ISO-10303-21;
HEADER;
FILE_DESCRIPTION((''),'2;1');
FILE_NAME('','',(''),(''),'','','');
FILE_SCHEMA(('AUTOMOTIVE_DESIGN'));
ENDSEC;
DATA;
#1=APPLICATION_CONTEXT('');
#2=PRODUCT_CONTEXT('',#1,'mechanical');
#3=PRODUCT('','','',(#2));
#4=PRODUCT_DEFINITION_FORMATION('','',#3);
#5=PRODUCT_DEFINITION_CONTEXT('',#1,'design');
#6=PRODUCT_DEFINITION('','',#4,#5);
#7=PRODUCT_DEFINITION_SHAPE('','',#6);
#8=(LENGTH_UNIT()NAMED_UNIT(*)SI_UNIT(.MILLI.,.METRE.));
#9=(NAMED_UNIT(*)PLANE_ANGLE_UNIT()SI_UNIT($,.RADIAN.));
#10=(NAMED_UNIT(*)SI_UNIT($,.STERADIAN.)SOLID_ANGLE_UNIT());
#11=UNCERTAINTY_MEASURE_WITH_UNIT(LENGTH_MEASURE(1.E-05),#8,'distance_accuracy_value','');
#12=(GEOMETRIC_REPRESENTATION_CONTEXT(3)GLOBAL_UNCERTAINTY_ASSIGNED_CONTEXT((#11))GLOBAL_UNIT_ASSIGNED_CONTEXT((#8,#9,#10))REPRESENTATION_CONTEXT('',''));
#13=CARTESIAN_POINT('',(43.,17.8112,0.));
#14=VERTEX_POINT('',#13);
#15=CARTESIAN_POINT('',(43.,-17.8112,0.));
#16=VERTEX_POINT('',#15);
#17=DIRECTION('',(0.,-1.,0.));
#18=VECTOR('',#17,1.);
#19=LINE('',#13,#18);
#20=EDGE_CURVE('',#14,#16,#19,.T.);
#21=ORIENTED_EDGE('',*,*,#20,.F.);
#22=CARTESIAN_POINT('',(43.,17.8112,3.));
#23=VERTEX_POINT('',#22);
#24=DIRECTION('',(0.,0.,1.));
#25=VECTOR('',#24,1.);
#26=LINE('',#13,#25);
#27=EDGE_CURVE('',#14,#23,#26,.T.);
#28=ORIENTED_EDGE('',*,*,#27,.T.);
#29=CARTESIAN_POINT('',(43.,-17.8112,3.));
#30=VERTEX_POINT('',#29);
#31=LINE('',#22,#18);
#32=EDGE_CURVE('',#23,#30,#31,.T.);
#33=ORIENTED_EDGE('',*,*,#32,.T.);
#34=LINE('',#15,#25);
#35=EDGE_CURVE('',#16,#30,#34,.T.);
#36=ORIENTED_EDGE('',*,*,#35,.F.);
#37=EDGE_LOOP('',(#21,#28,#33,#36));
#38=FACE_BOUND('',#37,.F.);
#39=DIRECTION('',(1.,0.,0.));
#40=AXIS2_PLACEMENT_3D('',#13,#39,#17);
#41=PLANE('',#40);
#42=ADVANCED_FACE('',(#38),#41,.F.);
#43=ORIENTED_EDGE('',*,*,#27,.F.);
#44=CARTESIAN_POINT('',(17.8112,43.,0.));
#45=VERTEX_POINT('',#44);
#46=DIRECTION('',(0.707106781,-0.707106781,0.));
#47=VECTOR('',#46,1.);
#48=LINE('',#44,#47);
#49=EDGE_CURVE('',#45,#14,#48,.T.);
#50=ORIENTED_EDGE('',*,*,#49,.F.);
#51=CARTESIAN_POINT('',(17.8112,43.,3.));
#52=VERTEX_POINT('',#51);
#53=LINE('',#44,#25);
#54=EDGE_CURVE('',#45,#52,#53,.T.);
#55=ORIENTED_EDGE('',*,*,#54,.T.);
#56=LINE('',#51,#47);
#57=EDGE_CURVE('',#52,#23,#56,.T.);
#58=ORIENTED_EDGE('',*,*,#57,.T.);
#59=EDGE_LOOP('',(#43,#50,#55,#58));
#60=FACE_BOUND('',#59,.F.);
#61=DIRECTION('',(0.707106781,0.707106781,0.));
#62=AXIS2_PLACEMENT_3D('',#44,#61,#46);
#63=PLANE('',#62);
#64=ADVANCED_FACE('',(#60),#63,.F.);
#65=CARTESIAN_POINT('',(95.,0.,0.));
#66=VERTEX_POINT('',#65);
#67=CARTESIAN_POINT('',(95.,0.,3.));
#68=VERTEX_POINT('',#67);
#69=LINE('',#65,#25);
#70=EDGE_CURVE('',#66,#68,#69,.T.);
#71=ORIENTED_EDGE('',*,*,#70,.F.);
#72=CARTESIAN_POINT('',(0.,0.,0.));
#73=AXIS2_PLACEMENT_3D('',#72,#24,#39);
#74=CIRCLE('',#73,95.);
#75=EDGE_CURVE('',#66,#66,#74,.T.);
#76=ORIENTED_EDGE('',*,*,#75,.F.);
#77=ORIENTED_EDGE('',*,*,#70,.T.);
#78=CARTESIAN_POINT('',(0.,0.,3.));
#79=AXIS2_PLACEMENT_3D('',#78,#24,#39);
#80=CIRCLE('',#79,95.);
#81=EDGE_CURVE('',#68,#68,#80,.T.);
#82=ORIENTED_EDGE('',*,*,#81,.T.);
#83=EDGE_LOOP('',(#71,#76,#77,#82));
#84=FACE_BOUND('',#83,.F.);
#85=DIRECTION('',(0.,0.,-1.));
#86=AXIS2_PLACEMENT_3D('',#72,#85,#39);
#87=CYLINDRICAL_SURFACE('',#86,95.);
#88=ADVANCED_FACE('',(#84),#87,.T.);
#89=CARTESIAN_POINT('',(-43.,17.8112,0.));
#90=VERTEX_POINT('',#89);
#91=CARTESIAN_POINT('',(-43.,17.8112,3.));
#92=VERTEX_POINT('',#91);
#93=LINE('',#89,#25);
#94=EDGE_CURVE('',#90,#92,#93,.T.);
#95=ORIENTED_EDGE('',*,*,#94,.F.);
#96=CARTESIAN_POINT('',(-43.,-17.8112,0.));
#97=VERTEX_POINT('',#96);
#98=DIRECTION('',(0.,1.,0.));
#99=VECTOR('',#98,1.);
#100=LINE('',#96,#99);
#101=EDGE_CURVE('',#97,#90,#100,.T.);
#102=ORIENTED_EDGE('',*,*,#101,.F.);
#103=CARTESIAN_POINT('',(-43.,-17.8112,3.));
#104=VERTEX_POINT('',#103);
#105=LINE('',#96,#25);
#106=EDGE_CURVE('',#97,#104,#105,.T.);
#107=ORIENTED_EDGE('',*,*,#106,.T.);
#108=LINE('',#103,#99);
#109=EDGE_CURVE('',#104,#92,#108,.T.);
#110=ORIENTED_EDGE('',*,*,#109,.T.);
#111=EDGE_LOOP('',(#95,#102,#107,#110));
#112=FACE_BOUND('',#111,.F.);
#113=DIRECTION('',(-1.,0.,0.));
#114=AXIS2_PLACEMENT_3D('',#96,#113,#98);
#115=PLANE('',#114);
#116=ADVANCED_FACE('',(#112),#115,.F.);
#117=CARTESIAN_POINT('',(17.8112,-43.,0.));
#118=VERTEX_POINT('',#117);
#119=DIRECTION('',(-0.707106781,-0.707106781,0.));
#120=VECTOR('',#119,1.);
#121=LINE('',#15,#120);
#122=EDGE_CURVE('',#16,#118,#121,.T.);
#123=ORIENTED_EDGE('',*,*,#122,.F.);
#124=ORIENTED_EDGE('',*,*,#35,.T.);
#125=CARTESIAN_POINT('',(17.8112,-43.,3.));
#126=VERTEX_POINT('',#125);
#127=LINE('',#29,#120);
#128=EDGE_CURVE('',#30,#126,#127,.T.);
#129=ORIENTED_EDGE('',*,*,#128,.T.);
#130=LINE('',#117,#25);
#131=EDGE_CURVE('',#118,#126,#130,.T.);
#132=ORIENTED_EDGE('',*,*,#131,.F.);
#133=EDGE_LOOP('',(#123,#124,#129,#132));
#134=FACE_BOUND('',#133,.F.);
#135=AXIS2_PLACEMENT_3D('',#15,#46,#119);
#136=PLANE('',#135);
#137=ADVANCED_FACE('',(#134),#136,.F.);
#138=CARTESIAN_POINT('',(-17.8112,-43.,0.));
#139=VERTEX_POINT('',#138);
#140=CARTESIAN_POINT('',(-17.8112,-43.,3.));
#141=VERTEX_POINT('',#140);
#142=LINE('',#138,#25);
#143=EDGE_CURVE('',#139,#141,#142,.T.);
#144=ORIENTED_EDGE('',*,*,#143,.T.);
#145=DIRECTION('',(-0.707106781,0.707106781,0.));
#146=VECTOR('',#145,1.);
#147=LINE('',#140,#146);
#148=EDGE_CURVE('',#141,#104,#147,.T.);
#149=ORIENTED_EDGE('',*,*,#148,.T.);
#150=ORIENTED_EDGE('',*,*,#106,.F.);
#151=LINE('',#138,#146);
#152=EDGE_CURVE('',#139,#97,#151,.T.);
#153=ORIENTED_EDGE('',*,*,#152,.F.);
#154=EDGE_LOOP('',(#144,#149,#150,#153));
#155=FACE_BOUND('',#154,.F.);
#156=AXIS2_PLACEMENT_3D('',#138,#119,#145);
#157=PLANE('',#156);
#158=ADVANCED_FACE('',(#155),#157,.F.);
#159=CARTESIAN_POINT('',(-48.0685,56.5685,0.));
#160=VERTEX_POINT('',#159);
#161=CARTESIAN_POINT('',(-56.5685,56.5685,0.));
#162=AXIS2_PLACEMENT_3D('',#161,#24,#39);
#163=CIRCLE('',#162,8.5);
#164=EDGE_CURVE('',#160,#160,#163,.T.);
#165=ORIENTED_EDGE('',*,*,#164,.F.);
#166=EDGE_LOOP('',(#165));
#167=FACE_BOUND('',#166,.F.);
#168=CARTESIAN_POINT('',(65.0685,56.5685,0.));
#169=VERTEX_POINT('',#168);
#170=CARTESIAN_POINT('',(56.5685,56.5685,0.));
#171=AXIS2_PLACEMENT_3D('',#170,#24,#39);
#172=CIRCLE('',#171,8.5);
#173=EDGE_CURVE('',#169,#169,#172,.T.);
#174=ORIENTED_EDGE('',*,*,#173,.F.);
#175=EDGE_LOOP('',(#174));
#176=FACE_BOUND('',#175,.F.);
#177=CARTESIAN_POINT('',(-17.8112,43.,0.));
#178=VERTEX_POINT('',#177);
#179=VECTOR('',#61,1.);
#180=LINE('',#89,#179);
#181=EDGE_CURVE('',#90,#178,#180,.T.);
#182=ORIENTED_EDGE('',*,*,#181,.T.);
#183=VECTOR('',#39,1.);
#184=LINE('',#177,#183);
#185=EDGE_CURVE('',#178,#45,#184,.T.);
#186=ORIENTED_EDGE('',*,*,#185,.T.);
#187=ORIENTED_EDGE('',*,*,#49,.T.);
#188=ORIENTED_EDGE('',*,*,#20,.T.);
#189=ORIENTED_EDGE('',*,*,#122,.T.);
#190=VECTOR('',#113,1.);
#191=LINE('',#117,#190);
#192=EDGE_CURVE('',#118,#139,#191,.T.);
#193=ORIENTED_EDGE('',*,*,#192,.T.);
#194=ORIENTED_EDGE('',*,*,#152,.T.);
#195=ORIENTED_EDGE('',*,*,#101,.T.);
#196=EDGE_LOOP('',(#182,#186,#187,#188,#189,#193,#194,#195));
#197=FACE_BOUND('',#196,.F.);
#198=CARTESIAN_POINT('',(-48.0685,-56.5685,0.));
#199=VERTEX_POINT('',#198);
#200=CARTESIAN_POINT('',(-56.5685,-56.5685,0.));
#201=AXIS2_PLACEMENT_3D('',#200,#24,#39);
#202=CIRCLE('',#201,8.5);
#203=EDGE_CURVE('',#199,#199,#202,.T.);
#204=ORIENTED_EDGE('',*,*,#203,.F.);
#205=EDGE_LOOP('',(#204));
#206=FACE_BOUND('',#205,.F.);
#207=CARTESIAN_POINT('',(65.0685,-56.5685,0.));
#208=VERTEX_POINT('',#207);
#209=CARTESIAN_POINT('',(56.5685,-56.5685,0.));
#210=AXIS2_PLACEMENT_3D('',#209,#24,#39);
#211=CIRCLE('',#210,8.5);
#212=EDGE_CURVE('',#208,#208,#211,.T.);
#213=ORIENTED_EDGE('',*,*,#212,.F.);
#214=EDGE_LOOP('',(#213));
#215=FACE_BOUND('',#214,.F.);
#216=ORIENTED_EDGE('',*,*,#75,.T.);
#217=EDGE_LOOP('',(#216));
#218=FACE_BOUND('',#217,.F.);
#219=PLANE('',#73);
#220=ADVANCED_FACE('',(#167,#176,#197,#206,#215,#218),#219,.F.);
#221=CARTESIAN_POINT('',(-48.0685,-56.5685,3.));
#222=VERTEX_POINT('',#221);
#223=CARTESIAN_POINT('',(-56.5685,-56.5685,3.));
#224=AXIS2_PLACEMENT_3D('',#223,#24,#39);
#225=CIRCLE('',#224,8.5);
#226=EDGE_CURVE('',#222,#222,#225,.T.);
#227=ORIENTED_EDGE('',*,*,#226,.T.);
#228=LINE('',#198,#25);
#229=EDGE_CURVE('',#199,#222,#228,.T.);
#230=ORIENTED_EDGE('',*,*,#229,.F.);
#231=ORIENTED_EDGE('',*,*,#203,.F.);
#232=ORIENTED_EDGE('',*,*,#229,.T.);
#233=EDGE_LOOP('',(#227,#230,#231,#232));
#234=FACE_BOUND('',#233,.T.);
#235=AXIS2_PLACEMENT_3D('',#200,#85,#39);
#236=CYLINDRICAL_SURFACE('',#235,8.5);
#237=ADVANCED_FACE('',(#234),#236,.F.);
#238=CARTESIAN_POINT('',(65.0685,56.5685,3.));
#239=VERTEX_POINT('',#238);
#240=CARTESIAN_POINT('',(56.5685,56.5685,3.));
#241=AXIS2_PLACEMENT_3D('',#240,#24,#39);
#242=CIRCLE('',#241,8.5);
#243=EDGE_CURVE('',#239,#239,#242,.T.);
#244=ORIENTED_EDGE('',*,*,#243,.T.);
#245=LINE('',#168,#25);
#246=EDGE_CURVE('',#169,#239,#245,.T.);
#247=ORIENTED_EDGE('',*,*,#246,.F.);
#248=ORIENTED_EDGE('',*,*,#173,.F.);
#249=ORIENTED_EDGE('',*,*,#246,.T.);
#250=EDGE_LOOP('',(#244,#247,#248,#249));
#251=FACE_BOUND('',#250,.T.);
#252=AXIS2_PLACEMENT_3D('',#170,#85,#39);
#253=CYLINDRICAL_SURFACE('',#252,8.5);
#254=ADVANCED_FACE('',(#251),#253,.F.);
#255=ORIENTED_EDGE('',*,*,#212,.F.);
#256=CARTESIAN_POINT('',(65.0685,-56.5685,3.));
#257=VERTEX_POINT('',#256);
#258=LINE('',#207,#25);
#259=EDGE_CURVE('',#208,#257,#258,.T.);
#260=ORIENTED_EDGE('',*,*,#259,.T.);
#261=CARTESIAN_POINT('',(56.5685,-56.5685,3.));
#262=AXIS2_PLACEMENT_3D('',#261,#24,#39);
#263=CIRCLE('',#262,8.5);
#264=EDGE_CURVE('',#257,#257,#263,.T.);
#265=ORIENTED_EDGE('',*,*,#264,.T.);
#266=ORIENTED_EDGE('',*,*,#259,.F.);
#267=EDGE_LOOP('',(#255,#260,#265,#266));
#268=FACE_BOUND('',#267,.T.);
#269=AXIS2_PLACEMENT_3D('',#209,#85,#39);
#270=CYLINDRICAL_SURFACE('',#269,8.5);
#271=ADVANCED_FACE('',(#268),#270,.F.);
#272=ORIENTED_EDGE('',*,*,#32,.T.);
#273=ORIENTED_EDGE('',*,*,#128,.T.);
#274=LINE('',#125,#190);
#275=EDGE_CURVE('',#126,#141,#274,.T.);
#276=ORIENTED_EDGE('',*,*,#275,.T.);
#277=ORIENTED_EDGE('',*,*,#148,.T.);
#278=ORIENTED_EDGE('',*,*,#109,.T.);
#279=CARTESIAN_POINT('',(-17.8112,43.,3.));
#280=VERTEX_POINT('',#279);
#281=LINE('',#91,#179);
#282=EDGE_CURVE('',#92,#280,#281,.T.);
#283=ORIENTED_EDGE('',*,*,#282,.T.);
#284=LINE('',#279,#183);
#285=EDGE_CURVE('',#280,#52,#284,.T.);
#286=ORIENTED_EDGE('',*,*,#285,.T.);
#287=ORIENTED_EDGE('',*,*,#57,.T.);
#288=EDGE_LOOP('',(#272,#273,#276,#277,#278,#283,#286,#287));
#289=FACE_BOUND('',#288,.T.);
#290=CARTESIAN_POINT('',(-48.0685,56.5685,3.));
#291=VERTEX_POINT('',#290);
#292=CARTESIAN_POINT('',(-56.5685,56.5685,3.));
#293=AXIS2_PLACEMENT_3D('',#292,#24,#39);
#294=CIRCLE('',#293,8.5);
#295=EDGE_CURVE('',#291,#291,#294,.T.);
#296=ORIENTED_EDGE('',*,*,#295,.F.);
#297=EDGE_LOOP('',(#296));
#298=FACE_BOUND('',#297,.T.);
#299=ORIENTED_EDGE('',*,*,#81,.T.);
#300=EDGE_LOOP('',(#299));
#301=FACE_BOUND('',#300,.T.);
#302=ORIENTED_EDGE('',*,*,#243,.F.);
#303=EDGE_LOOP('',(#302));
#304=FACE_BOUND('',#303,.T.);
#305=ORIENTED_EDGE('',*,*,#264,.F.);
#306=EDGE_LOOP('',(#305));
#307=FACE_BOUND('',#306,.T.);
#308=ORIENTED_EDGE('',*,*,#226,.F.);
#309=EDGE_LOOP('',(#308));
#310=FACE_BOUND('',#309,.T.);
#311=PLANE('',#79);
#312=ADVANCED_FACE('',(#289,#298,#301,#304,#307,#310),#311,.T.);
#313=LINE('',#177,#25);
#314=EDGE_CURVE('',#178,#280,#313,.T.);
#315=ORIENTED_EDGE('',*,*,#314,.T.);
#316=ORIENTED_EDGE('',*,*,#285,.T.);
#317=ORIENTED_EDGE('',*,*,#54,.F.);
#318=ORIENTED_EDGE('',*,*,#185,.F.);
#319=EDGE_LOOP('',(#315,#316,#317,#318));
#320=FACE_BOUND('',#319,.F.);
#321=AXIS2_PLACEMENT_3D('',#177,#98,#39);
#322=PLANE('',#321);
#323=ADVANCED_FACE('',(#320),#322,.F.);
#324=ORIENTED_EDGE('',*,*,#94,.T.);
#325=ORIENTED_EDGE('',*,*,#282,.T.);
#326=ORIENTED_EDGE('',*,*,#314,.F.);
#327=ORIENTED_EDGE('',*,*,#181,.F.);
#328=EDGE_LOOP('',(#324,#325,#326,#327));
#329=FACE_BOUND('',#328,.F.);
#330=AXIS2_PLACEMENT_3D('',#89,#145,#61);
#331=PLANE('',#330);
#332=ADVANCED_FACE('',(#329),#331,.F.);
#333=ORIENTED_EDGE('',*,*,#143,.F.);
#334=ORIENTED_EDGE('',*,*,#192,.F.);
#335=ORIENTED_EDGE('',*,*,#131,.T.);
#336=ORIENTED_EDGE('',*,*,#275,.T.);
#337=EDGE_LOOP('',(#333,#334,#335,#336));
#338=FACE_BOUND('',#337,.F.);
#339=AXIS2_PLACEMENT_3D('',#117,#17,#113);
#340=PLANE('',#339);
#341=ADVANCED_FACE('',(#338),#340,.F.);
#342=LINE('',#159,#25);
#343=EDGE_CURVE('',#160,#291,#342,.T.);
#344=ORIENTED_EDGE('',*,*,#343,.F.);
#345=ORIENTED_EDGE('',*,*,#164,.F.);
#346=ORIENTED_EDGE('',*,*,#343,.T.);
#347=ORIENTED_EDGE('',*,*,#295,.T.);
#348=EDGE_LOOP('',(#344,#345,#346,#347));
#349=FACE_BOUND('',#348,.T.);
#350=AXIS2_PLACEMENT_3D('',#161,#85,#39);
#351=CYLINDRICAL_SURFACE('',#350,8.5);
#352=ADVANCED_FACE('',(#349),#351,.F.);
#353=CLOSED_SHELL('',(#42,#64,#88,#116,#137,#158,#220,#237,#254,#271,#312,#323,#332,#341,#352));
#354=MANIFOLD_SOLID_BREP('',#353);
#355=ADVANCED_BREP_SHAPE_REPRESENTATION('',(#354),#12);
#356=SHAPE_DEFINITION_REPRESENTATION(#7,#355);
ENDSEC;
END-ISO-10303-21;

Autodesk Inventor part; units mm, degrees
ref_plane "YZ Plane" through (0, 0, 0) normal (1, 0, 0) x (0, 1, 0)
ref_plane "XZ Plane" through (0, 0, 0) normal (0, 1, 0) x (-1, 0, 0)
ref_plane "XY Plane" through (0, 0, 0) normal (0, 0, 1) x (1, 0, 0)
sketch "Sketch1" plane through (0, 0, 0) normal (0, 0, 1) x (1, 0, 0)
  circle A0 centre (0, 0) radius 95
  circle A1 centre (-56.5685, 56.5685) radius 8.5
  circle A2 centre (0, 0) radius 80 construction
  circle A3 centre (-56.5685, -56.5685) radius 8.5
  circle A4 centre (56.5685, -56.5685) radius 8.5
  circle A5 centre (56.5685, 56.5685) radius 8.5
  line L0 (17.8112, -43) -> (-17.8112, -43)
  line L1 (-17.8112, -43) -> (-43, -17.8112)
  line L2 (-43, -17.8112) -> (-43, 17.8112)
  line L3 (-43, 17.8112) -> (-17.8112, 43)
  line L4 (-17.8112, 43) -> (17.8112, 43)
  line L5 (17.8112, 43) -> (43, 17.8112)
  line L6 (43, 17.8112) -> (43, -17.8112)
  line L7 (43, -17.8112) -> (17.8112, -43)
  line L8 (0, 0) -> (-30.4056, 30.4056) construction
  dimension "d171" = 160
  dimension "d157" = 190
  dimension "d170" = 17
  dimension "d174" = 360
  dimension "d176" = 86
extrude "Plate5" add sketch "Sketch1" along normal blind 3
properties part number "PRS 1651 FDS MAIN  FLANGE_940" material "Stainless Steel"
